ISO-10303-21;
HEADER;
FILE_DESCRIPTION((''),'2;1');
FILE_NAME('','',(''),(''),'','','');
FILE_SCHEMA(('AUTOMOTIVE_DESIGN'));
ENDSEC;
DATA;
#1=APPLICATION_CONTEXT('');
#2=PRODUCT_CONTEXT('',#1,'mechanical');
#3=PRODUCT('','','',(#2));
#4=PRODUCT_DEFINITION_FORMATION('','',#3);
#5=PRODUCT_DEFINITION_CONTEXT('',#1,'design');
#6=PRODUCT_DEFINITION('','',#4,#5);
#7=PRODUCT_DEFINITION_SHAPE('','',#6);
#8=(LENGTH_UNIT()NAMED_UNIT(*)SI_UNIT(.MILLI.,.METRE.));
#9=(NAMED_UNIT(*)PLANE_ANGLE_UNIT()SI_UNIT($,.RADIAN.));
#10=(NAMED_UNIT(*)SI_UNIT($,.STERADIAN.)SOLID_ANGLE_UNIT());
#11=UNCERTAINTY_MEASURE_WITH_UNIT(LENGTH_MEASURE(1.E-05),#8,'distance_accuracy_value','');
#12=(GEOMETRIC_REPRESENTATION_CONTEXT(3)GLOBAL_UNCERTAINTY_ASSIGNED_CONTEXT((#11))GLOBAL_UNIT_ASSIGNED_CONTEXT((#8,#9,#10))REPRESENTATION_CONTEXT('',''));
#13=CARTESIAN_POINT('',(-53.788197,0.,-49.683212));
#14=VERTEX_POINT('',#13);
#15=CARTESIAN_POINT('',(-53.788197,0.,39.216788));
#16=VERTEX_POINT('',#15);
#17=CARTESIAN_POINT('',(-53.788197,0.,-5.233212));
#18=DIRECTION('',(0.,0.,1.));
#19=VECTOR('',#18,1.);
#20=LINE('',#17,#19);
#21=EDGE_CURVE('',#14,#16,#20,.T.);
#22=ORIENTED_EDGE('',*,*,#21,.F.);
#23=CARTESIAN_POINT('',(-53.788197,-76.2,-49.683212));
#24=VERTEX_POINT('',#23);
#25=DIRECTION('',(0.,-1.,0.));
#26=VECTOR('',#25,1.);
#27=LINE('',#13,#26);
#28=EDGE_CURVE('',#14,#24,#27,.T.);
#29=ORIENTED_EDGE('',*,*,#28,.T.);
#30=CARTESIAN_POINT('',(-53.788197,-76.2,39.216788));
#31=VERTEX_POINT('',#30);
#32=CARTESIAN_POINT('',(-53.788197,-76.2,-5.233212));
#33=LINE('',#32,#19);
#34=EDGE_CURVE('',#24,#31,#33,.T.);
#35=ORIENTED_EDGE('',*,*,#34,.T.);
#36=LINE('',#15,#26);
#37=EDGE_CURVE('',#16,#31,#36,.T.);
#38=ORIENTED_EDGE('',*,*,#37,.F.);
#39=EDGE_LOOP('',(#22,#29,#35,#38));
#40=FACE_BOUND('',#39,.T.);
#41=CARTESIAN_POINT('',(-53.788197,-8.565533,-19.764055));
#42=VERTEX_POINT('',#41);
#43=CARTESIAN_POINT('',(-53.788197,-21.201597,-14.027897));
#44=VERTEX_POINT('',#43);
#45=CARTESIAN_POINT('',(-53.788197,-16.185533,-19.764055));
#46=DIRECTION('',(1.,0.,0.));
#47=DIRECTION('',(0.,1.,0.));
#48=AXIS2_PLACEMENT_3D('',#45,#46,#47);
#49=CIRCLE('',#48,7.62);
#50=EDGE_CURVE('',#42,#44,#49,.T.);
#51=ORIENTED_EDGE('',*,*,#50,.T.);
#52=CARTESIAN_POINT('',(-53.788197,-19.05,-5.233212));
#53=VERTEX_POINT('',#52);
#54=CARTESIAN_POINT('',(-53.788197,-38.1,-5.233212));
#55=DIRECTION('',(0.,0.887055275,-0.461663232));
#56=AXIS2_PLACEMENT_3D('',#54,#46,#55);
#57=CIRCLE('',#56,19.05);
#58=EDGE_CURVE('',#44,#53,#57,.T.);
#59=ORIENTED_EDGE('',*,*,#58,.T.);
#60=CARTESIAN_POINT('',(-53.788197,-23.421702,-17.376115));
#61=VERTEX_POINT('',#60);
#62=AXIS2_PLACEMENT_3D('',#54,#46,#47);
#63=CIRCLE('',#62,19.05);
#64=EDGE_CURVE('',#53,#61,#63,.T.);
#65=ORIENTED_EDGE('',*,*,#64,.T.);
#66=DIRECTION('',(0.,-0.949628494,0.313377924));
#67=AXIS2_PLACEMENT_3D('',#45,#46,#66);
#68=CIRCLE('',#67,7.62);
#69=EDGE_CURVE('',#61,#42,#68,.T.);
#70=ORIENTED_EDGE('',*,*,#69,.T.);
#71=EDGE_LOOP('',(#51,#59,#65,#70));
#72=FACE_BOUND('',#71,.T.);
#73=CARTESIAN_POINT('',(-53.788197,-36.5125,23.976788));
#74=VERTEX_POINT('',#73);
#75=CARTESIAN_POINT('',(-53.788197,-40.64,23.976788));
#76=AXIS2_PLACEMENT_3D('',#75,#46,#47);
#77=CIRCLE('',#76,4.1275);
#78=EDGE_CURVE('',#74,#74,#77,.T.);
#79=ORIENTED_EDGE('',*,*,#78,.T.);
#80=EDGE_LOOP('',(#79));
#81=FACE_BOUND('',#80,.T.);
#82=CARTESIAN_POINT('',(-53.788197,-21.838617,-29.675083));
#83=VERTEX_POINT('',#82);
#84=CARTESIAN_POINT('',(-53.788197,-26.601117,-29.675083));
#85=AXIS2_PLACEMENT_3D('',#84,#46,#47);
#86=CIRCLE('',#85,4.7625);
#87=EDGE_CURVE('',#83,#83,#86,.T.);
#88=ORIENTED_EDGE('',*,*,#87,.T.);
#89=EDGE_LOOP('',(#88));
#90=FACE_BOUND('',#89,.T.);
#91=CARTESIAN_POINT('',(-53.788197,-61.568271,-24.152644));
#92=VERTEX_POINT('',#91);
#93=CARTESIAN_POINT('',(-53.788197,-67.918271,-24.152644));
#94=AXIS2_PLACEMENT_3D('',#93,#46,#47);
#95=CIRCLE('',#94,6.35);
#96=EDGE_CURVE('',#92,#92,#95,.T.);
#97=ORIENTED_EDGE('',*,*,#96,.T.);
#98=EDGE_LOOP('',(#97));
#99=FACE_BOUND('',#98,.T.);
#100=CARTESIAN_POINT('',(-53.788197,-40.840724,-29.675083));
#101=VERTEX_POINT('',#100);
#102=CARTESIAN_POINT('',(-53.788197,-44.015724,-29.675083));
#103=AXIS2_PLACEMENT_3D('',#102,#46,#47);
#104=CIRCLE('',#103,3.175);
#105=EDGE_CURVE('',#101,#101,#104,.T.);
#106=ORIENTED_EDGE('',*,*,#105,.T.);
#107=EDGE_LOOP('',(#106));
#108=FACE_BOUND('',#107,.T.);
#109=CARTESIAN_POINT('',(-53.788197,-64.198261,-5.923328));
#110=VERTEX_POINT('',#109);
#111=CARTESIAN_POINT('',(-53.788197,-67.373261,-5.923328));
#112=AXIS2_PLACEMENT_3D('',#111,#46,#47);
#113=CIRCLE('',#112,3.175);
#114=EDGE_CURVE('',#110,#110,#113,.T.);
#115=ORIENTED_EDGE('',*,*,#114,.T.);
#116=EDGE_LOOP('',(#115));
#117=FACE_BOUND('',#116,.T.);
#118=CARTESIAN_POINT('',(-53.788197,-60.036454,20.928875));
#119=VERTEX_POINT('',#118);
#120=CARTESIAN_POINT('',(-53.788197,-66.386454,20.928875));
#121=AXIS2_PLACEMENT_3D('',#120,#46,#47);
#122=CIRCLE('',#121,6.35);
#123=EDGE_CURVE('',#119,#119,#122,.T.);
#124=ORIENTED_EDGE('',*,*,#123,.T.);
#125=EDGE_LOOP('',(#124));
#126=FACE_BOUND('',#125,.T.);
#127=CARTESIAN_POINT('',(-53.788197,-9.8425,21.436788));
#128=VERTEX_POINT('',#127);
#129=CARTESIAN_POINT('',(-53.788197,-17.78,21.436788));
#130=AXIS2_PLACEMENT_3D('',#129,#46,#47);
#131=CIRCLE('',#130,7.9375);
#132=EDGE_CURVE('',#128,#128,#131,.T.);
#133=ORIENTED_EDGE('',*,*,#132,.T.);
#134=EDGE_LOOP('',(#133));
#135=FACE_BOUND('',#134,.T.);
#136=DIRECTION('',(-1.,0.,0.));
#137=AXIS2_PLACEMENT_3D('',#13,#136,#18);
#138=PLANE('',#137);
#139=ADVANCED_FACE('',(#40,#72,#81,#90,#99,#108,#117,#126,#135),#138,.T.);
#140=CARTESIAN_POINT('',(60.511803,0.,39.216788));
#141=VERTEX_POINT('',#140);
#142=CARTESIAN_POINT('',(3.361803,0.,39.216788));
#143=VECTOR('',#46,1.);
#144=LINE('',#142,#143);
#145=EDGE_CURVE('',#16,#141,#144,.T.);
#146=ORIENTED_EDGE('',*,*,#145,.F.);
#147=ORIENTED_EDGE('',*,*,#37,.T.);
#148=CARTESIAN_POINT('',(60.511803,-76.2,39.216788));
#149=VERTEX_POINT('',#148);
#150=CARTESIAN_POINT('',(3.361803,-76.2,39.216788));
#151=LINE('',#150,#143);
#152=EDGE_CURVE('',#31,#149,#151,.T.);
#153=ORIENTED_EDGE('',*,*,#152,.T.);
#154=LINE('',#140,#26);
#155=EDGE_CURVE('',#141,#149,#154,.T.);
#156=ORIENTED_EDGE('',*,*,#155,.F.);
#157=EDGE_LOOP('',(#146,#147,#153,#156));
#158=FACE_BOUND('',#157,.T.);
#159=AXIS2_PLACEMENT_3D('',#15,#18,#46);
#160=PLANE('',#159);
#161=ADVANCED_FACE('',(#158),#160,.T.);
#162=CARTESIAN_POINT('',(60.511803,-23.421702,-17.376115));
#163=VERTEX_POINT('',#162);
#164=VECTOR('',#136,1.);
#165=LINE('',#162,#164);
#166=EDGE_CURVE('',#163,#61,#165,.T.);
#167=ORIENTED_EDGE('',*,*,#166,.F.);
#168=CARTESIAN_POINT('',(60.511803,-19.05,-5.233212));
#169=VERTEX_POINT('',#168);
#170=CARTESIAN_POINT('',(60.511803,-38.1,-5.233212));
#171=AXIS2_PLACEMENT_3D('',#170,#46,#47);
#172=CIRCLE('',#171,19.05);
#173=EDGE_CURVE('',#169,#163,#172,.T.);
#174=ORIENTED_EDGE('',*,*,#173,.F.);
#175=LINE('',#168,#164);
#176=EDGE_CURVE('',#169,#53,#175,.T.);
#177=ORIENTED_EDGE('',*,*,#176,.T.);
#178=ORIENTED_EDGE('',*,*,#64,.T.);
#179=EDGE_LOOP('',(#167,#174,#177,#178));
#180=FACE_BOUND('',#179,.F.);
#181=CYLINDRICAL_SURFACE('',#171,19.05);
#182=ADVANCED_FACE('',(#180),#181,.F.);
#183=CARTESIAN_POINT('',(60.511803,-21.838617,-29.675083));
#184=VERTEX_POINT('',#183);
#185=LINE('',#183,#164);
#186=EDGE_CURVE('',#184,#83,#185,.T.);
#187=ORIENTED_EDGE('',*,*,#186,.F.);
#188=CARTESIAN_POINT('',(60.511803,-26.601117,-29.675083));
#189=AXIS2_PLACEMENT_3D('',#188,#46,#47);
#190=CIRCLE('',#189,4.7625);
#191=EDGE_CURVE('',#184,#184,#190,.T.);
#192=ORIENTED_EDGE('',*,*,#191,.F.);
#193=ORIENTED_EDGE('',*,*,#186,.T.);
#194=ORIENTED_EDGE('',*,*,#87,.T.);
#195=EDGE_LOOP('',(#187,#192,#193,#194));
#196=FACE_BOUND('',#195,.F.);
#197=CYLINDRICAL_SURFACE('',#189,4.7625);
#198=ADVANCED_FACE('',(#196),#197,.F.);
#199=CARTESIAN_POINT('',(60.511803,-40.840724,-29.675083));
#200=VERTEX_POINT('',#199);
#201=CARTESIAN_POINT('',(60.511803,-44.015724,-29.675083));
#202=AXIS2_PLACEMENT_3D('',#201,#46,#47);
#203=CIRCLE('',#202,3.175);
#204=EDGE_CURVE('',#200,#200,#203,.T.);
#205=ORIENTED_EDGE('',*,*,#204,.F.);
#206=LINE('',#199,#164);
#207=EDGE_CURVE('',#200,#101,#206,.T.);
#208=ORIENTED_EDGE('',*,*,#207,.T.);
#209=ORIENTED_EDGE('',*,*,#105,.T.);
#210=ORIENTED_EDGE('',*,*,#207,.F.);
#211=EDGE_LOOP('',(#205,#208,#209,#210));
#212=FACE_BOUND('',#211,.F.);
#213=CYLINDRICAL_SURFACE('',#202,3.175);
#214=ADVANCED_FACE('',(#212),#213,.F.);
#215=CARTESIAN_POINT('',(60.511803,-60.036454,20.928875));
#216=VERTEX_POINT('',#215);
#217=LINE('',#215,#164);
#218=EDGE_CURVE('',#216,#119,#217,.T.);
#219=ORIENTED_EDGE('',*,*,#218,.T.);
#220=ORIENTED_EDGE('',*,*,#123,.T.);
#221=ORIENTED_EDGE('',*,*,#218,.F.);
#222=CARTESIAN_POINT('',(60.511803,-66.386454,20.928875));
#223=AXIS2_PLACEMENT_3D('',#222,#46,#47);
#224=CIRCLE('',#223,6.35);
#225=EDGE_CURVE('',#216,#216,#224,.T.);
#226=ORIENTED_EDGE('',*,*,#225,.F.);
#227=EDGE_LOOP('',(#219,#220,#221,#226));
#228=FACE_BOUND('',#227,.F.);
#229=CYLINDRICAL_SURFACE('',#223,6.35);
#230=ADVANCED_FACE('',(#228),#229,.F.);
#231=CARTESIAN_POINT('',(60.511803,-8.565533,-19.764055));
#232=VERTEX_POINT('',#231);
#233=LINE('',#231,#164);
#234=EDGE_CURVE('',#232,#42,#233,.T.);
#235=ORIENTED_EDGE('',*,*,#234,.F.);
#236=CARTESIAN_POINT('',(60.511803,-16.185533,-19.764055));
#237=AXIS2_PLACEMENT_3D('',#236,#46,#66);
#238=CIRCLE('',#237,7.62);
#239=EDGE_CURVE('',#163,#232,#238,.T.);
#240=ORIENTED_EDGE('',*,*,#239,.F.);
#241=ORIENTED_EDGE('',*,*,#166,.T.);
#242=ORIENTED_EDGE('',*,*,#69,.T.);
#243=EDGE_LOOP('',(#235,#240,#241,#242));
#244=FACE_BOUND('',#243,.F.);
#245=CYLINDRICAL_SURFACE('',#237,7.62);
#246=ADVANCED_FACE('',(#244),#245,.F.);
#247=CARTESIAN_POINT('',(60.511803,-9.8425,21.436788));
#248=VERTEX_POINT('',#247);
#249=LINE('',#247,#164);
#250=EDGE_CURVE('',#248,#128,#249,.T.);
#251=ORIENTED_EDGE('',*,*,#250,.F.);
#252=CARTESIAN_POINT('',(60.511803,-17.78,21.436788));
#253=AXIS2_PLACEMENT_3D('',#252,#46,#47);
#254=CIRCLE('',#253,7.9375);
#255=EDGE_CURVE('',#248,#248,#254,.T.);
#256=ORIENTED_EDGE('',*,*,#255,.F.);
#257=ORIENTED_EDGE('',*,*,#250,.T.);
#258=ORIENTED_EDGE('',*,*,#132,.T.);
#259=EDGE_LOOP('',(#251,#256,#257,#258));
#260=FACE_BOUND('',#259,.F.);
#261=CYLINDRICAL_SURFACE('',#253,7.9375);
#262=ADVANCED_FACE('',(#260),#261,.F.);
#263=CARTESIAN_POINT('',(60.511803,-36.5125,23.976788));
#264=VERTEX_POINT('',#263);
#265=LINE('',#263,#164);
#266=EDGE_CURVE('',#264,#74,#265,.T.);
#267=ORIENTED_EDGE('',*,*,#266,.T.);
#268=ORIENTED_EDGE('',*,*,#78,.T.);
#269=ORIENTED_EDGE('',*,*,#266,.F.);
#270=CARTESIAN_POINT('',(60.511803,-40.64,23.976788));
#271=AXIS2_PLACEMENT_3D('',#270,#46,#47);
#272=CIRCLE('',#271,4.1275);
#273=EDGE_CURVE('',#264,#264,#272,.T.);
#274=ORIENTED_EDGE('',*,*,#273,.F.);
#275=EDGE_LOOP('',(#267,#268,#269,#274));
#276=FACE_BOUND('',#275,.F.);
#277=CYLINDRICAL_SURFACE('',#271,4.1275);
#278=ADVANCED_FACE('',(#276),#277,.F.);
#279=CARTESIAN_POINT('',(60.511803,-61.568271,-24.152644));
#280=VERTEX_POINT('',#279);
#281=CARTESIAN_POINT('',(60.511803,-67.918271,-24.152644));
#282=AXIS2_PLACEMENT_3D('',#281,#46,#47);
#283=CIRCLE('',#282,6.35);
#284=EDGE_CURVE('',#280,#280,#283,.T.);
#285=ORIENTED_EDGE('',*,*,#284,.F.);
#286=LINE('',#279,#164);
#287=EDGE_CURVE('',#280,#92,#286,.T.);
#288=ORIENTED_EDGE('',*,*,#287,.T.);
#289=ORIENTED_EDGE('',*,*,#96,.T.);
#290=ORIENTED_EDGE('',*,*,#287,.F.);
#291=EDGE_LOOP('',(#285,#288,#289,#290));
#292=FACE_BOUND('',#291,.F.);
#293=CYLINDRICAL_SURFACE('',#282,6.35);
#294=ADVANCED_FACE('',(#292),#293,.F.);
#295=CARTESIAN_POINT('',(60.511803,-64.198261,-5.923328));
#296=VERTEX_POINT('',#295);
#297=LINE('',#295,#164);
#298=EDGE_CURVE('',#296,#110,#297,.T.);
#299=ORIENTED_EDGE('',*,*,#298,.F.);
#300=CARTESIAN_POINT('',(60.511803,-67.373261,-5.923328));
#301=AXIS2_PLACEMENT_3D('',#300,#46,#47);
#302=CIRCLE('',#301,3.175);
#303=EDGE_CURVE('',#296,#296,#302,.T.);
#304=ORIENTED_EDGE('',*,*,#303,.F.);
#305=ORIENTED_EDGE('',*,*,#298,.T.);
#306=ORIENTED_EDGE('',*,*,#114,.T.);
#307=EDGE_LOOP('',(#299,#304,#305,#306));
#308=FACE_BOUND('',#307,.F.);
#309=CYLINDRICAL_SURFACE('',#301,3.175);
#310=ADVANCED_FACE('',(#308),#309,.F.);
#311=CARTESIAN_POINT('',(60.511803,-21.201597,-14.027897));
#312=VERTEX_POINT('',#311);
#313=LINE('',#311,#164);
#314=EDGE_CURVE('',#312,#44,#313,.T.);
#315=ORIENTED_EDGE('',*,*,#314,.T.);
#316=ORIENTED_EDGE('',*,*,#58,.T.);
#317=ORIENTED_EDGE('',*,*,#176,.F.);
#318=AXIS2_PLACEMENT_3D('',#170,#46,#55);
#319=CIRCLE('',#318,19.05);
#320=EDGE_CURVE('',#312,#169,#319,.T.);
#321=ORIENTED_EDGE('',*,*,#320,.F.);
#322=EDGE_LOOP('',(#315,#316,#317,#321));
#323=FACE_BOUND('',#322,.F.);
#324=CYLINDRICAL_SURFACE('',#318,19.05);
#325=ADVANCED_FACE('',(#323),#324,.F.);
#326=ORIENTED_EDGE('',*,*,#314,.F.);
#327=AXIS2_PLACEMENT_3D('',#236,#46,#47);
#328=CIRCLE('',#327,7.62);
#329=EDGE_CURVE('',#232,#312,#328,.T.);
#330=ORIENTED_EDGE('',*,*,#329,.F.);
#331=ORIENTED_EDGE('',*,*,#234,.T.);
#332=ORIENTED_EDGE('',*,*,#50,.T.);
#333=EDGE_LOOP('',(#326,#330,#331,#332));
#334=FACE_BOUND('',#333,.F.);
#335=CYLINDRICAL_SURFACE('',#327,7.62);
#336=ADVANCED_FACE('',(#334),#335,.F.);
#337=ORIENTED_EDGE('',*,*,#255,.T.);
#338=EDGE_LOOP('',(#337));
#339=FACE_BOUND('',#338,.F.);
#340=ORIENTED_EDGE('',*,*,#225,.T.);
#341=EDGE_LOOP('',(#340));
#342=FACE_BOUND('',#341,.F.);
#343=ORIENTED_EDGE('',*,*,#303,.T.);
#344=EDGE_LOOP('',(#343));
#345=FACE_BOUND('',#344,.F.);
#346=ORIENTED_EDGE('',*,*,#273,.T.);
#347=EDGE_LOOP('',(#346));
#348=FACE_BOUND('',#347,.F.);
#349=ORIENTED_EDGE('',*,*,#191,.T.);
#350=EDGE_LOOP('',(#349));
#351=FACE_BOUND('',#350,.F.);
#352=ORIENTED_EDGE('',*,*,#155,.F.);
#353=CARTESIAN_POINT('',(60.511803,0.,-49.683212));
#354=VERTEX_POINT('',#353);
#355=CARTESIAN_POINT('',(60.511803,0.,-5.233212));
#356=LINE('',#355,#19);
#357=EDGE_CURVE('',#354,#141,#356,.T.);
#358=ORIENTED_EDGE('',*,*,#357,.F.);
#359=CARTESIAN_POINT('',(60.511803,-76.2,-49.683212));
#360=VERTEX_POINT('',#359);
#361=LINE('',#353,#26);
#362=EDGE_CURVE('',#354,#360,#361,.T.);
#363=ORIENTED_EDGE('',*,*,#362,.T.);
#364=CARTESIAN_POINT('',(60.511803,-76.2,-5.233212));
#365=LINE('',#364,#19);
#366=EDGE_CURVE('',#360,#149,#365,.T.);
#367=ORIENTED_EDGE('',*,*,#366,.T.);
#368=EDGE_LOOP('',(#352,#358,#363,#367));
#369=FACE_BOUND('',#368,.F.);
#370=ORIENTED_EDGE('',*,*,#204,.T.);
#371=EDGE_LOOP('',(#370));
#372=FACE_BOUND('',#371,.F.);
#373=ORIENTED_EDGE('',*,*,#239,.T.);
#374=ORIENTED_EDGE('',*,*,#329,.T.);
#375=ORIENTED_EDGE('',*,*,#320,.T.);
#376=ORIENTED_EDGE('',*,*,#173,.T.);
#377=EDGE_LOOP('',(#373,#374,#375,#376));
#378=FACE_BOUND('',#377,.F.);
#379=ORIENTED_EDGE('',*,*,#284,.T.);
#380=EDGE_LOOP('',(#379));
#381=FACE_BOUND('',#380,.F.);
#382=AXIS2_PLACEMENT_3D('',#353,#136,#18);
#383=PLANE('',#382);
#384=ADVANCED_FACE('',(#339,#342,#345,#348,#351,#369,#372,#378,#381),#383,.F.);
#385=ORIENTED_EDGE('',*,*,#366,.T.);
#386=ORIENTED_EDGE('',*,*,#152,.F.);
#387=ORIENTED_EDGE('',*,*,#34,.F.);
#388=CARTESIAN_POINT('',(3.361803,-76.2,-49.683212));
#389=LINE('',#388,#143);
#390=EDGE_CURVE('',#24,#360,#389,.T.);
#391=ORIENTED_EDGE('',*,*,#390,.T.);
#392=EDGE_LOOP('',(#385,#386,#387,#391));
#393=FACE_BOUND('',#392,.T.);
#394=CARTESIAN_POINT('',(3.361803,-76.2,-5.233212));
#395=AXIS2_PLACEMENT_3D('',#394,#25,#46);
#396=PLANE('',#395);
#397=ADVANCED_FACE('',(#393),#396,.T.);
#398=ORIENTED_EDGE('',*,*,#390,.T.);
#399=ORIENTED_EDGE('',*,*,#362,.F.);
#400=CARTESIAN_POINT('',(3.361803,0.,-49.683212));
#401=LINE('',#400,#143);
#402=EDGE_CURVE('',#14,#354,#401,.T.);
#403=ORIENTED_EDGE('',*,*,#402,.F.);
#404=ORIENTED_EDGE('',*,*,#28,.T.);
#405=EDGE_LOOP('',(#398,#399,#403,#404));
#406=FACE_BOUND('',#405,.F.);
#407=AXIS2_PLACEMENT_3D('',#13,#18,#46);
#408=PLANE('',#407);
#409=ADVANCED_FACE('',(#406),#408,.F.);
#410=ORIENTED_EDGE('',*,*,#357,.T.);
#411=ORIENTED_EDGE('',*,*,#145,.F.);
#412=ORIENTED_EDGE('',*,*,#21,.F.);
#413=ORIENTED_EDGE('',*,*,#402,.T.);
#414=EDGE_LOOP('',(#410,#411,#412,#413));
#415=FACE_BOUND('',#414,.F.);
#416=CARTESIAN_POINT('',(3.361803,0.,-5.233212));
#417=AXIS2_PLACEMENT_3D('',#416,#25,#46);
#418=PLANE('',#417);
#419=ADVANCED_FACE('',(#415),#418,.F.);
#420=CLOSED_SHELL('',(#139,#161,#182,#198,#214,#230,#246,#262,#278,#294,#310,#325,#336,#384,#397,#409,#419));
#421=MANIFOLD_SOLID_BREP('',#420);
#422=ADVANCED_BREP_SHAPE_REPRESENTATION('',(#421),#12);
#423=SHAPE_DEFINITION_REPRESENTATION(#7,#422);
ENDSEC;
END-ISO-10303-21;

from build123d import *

# Parameters (mm, degrees)
F0_W     = 114.3
F0_H     = 88.9
F1_DEPTH = 76.2
F2_R     = 6.35
F2_R_2   = 7.9375
F2_R_3   = 3.175
F2_R_4   = 4.1275
F2_R_5   = 4.7625
F3_DEPTH = 114.3


with BuildPart() as f1:
    # F0 (on Front) → F1 (new body)
    with BuildSketch(Plane.XZ):
        with Locations((3.3618031452, -5.2332123742)):
            Rectangle(F0_W, F0_H)
    extrude(amount=F1_DEPTH)

    # F2 (on face) → F3 (cut, through all)
    with BuildSketch(Plane.YZ.offset(60.5118031452)):
        with BuildLine():
            ThreePointArc((-21.2015970146, -14.027896936), (-19.5957156735, -9.7602380604), (-19.05, -5.2332123742))
            ThreePointArc((-19.05, -5.2332123742), (-56.0237840544, 1.2197299913), (-23.4217023803, -17.3761147861))
            ThreePointArc((-23.4217023803, -17.3761147861), (-22.5362767831, -15.5530622079), (-21.2015970146, -14.027896936))
        make_face()
        with BuildLine():
            ThreePointArc((-21.2015970146, -14.027896936), (-22.5362767831, -15.5530622079), (-23.4217023803, -17.3761147861))
            ThreePointArc((-23.4217023803, -17.3761147861), (-22.2231411807, -15.7606932709), (-21.2015970146, -14.027896936))
        make_face()
        with BuildLine():
            ThreePointArc((-21.2015970146, -14.027896936), (-22.2231411807, -15.7606932709), (-23.4217023803, -17.3761147861))
            ThreePointArc((-23.4217023803, -17.3761147861), (-17.3948287668, -27.2874849256), (-8.5655332553, -19.7640545666))
            ThreePointArc((-8.5655332553, -19.7640545666), (-13.0357718235, -12.82550984), (-21.2015970146, -14.027896936))
        make_face()
        with Locations((-66.3864538074, 20.9288746119)):
            Circle(F2_R)
        with Locations((-17.78, 21.4367876258)):
            Circle(F2_R_2)
        with Locations((-67.9182708263, -24.1526439786)):
            Circle(F2_R)
        with Locations((-67.3732608557, -5.9233275242)):
            Circle(F2_R_3)
        with Locations((-44.0157242119, -29.6750832349)):
            Circle(F2_R_3)
        with Locations((-40.64, 23.9767876258)):
            Circle(F2_R_4)
        with Locations((-26.6011171043, -29.6750832349)):
            Circle(F2_R_5)
    extrude(amount=-F3_DEPTH, mode=Mode.SUBTRACT)


solid = f1.part
